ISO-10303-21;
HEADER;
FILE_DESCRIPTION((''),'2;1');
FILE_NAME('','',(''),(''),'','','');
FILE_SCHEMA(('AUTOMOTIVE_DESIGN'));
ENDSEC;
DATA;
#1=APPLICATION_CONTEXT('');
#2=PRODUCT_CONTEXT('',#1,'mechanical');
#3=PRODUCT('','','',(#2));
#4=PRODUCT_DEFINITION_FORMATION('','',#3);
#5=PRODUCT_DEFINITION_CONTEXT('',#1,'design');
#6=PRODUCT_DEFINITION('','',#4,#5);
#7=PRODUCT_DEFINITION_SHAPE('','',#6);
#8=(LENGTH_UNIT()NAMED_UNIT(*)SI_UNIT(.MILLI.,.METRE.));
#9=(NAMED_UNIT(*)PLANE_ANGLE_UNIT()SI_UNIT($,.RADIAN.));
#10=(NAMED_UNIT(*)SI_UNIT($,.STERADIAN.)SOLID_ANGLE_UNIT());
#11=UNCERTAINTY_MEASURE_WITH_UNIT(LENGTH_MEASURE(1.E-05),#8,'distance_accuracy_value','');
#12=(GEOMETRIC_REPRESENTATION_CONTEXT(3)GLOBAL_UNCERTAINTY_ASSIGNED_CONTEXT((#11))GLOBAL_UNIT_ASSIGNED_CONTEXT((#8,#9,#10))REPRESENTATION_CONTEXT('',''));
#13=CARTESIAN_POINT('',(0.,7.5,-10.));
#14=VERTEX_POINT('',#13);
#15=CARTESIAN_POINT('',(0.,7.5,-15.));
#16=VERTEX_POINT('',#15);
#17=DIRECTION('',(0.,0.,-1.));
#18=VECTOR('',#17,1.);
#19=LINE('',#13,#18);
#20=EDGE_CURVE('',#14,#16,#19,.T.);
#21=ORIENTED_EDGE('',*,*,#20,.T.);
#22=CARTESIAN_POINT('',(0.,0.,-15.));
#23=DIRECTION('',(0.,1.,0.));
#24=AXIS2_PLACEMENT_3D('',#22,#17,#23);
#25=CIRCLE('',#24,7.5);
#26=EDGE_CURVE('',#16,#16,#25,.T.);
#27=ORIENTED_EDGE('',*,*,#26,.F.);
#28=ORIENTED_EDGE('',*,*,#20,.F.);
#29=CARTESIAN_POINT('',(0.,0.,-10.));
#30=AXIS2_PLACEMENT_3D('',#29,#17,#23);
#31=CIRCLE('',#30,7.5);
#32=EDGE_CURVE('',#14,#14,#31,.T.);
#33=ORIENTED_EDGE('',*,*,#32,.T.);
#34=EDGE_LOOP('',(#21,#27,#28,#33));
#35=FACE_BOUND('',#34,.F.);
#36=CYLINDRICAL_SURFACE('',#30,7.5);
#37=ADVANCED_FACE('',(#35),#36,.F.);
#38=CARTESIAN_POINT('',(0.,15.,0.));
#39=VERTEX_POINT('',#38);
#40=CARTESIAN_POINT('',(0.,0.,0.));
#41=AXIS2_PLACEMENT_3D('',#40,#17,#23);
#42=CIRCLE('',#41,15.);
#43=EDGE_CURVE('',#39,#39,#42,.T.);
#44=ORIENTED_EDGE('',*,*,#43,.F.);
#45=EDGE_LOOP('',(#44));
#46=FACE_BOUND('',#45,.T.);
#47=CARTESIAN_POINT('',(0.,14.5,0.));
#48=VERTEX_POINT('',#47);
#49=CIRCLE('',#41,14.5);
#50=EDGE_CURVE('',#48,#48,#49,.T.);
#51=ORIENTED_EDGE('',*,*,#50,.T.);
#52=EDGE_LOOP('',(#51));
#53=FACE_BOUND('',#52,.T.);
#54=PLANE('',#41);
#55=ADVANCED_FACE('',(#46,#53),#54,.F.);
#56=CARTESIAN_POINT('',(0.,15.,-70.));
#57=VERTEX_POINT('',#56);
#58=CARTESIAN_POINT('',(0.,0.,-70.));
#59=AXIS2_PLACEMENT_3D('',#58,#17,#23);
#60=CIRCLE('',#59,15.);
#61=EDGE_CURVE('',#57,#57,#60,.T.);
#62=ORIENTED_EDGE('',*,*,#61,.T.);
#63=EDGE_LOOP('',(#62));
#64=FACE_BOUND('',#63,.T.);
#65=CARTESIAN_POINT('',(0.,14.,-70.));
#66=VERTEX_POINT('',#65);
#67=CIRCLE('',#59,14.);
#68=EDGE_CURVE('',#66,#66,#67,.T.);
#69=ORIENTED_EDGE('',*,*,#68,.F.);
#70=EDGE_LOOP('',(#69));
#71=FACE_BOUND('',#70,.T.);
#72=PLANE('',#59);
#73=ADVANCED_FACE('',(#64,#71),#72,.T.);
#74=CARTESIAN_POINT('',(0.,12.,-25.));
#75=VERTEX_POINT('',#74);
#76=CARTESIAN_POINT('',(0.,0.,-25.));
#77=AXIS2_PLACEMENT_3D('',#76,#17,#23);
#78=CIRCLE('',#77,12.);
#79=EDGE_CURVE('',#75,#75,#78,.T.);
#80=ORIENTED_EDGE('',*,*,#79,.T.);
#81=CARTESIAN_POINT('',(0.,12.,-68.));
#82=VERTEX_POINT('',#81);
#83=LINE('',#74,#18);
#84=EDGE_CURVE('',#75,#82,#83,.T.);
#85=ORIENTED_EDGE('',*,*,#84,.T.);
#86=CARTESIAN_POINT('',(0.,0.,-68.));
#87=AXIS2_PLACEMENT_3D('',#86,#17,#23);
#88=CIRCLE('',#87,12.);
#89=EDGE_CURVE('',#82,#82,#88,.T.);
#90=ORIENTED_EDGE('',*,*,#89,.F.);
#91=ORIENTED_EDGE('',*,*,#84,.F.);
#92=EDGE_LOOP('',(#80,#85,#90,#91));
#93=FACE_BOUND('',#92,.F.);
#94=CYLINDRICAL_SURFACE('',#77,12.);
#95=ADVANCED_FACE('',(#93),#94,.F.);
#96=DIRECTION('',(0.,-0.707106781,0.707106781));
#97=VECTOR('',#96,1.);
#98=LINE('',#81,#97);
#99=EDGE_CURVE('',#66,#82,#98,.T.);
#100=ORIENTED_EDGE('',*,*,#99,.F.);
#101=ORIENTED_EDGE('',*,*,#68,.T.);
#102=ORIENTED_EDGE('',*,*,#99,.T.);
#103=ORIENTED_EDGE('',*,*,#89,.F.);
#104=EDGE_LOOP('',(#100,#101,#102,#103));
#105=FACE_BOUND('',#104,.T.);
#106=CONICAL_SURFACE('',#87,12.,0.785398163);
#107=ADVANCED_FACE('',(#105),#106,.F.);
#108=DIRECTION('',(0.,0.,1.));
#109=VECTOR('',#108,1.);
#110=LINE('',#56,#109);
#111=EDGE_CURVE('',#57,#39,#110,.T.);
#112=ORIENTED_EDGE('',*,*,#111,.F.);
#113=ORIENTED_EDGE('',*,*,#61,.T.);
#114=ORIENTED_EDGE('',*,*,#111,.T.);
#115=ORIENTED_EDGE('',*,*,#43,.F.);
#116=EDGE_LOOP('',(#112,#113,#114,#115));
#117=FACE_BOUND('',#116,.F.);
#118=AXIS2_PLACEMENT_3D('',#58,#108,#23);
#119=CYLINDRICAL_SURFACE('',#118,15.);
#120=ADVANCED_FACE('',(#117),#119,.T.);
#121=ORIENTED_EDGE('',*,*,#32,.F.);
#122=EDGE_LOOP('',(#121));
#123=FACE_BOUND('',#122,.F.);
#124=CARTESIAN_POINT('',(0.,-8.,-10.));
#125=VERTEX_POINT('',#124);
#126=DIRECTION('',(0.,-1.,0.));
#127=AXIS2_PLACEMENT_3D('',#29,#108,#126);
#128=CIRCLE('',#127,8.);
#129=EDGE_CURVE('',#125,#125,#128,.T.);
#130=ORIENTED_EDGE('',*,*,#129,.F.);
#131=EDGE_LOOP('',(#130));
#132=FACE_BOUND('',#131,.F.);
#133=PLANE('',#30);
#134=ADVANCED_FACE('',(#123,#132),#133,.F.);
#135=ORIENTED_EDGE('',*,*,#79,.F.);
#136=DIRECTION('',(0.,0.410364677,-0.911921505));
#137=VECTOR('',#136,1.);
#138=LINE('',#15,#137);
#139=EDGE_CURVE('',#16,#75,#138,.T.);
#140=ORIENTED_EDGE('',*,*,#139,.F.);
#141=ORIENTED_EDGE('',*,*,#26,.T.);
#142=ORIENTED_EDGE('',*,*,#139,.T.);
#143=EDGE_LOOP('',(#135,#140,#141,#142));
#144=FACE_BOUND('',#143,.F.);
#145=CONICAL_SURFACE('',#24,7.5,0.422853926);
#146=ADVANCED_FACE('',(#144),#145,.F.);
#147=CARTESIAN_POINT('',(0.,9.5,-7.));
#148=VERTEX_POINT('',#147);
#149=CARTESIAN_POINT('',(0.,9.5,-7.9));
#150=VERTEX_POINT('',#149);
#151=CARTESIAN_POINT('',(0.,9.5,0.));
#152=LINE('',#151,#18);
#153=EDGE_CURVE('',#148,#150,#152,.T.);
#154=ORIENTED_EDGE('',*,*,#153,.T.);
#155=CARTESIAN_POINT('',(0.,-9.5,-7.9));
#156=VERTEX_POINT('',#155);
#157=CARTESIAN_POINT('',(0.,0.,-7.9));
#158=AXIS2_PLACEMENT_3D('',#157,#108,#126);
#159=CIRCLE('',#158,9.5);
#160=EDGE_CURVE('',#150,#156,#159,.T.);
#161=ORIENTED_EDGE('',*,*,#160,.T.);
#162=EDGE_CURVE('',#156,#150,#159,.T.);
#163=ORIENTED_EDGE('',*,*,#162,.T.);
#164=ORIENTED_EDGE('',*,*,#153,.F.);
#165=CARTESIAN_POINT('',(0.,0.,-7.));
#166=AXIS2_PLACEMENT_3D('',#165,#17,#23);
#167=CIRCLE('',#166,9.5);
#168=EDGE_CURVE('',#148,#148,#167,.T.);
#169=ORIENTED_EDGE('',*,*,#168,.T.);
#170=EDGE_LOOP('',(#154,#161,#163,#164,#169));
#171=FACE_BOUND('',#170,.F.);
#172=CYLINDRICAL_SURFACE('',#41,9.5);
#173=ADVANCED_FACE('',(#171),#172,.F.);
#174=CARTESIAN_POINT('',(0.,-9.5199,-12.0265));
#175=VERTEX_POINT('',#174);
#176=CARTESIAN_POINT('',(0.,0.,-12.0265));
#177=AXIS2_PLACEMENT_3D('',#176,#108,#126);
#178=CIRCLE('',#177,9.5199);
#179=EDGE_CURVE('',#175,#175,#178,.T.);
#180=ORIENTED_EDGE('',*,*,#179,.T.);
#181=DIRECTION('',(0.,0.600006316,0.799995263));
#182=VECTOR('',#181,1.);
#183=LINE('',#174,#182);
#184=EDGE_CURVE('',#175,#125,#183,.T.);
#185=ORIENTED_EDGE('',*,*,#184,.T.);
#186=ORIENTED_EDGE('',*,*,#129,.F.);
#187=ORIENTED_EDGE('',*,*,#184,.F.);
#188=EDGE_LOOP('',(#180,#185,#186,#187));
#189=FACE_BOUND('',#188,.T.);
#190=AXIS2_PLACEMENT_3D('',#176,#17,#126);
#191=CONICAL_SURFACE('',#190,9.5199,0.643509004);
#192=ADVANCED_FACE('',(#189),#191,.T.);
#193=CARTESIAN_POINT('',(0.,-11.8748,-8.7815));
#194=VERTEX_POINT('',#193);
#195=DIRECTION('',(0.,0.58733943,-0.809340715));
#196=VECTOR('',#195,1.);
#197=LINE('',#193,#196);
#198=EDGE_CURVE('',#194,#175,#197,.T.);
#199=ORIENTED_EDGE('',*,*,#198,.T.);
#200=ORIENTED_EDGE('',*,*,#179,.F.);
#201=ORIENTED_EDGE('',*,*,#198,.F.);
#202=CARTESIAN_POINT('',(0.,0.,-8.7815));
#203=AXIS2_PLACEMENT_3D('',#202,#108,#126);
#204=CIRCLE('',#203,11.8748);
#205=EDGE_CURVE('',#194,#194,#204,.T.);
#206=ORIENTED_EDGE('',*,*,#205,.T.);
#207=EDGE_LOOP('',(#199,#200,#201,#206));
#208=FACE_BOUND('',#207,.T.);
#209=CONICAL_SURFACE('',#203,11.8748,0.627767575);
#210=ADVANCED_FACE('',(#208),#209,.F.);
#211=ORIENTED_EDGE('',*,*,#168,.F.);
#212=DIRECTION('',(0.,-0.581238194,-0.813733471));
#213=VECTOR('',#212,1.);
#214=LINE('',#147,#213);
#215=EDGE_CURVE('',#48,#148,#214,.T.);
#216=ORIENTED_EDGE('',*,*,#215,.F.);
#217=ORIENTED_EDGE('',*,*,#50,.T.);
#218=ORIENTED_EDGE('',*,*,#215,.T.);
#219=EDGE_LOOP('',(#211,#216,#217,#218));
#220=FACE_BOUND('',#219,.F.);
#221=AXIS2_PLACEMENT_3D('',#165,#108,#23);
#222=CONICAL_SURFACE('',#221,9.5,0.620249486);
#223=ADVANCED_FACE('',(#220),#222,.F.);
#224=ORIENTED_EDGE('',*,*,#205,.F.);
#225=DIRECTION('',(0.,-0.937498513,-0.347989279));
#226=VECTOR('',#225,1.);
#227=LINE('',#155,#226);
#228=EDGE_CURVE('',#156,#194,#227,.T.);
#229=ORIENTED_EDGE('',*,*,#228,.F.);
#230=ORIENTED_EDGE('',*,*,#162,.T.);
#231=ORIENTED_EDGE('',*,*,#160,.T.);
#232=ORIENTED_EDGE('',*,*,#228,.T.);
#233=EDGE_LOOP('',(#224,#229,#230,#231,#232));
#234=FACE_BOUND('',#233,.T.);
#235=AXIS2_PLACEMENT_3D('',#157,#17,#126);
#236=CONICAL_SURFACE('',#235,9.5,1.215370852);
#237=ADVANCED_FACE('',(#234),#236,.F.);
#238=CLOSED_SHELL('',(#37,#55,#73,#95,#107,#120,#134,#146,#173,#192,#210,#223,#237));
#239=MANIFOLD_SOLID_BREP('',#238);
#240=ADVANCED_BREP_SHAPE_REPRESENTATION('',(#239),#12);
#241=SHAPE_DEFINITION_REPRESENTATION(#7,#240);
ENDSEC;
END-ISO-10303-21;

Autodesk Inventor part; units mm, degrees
ref_plane "XZ Plane" through (0, 0, 0) normal (0, 1, 0) x (-1, 0, 0)
ref_plane "XY Plane" through (0, 0, 0) normal (0, 0, 1) x (1, 0, 0)
sketch "Esquisse1" plane through (0, 0, 0) normal (1, 0, 0) x (0, 1, 0)
  line L0 (9.5, 0) -> (9.5, -10)
  line L1 (0, 0) -> (0, -29.8331)
  line L2 (9.5, 0) -> (15, 0)
  line L3 (9.5, -10) -> (7.5, -10)
  line L4 (7.5, -10) -> (7.5, -15)
  line L5 (7.5, -15) -> (12, -25)
  line L6 (12, -25) -> (12, -70)
  line L7 (15, -70) -> (12, -70)
  line L8 (15, -70) -> (15, 0)
  dimension "d0" = 19
  dimension "d2" = 10
  dimension "d3" = 2
  dimension "d4" = 5
  dimension "d6" = 10
  dimension "d7" = 70
  dimension "d16" = 3
  dimension "d19" = 30
revolve "Révolution1" add sketch "Esquisse1" angle 360 about axis through (0, 0, 0) along (0, 0, -1)
chamfer "Chanfrein1" distance 5 distance2 7 1 edges at (0, -9.5, 0) measured on face at (-1.9544, 12.9294, 0)
chamfer "Chanfrein2" distance 2 angle 45 1 edges at (0, -12, -70)
ref_plane "Plan de construction1" through (-15, 0, -35) normal (1, 0, 0) x (0, 1, 0)
sketch "Esquisse3" plane through (-15, 0, -35) normal (1, 0, 0) x (0, 1, 0)
  circle A0 centre (0, 30) radius 3
  point P0 (0, 35)
  dimension "d23" = 6
  dimension "d24" = 5
extrude "Extrusion1" [suppressed]
sketch "Esquisse4" plane through (0, 0, 0) normal (1, 0, 0) x (0, 1, 0)
  line L0 (-15, 0) -> (15, 0) projected
  line L1 (-15, -70) -> (15, -70) projected
  line L2 (-9.5, -10) -> (-9.5, -7) projected
  line L3 (-9.5, -10) -> (9.5, -10) projected
  line L4 (-7.5, -15) -> (-7.5, -10) projected
  line L5 (-14.5, 0) -> (-9.5, -7) projected
  line L6 (-9.5, -7.9) -> (-11.8748, -8.7815)
  line L7 (-11.8748, -8.7815) -> (-9.5199, -12.0265)
  line L8 (-9.5199, -12.0265) -> (-8, -10)
  circle A0 centre (-9.5, -9.5) radius 1.5 construction
  line L9 (0, -72) -> (0, 12) projected
  point P0 (0, 0)
  dimension "d32" = 3
  dimension "d37" = 0.5
  dimension "d38" = 1.5
  dimension "d39" = 2.1
revolve "Révolution2" cut sketch "Esquisse4" angle 360 about axis through (0, 0, -10) along (0, 0, 1) contours L2 L3 L8 L7 L6
properties part number "cartridge_locker"
